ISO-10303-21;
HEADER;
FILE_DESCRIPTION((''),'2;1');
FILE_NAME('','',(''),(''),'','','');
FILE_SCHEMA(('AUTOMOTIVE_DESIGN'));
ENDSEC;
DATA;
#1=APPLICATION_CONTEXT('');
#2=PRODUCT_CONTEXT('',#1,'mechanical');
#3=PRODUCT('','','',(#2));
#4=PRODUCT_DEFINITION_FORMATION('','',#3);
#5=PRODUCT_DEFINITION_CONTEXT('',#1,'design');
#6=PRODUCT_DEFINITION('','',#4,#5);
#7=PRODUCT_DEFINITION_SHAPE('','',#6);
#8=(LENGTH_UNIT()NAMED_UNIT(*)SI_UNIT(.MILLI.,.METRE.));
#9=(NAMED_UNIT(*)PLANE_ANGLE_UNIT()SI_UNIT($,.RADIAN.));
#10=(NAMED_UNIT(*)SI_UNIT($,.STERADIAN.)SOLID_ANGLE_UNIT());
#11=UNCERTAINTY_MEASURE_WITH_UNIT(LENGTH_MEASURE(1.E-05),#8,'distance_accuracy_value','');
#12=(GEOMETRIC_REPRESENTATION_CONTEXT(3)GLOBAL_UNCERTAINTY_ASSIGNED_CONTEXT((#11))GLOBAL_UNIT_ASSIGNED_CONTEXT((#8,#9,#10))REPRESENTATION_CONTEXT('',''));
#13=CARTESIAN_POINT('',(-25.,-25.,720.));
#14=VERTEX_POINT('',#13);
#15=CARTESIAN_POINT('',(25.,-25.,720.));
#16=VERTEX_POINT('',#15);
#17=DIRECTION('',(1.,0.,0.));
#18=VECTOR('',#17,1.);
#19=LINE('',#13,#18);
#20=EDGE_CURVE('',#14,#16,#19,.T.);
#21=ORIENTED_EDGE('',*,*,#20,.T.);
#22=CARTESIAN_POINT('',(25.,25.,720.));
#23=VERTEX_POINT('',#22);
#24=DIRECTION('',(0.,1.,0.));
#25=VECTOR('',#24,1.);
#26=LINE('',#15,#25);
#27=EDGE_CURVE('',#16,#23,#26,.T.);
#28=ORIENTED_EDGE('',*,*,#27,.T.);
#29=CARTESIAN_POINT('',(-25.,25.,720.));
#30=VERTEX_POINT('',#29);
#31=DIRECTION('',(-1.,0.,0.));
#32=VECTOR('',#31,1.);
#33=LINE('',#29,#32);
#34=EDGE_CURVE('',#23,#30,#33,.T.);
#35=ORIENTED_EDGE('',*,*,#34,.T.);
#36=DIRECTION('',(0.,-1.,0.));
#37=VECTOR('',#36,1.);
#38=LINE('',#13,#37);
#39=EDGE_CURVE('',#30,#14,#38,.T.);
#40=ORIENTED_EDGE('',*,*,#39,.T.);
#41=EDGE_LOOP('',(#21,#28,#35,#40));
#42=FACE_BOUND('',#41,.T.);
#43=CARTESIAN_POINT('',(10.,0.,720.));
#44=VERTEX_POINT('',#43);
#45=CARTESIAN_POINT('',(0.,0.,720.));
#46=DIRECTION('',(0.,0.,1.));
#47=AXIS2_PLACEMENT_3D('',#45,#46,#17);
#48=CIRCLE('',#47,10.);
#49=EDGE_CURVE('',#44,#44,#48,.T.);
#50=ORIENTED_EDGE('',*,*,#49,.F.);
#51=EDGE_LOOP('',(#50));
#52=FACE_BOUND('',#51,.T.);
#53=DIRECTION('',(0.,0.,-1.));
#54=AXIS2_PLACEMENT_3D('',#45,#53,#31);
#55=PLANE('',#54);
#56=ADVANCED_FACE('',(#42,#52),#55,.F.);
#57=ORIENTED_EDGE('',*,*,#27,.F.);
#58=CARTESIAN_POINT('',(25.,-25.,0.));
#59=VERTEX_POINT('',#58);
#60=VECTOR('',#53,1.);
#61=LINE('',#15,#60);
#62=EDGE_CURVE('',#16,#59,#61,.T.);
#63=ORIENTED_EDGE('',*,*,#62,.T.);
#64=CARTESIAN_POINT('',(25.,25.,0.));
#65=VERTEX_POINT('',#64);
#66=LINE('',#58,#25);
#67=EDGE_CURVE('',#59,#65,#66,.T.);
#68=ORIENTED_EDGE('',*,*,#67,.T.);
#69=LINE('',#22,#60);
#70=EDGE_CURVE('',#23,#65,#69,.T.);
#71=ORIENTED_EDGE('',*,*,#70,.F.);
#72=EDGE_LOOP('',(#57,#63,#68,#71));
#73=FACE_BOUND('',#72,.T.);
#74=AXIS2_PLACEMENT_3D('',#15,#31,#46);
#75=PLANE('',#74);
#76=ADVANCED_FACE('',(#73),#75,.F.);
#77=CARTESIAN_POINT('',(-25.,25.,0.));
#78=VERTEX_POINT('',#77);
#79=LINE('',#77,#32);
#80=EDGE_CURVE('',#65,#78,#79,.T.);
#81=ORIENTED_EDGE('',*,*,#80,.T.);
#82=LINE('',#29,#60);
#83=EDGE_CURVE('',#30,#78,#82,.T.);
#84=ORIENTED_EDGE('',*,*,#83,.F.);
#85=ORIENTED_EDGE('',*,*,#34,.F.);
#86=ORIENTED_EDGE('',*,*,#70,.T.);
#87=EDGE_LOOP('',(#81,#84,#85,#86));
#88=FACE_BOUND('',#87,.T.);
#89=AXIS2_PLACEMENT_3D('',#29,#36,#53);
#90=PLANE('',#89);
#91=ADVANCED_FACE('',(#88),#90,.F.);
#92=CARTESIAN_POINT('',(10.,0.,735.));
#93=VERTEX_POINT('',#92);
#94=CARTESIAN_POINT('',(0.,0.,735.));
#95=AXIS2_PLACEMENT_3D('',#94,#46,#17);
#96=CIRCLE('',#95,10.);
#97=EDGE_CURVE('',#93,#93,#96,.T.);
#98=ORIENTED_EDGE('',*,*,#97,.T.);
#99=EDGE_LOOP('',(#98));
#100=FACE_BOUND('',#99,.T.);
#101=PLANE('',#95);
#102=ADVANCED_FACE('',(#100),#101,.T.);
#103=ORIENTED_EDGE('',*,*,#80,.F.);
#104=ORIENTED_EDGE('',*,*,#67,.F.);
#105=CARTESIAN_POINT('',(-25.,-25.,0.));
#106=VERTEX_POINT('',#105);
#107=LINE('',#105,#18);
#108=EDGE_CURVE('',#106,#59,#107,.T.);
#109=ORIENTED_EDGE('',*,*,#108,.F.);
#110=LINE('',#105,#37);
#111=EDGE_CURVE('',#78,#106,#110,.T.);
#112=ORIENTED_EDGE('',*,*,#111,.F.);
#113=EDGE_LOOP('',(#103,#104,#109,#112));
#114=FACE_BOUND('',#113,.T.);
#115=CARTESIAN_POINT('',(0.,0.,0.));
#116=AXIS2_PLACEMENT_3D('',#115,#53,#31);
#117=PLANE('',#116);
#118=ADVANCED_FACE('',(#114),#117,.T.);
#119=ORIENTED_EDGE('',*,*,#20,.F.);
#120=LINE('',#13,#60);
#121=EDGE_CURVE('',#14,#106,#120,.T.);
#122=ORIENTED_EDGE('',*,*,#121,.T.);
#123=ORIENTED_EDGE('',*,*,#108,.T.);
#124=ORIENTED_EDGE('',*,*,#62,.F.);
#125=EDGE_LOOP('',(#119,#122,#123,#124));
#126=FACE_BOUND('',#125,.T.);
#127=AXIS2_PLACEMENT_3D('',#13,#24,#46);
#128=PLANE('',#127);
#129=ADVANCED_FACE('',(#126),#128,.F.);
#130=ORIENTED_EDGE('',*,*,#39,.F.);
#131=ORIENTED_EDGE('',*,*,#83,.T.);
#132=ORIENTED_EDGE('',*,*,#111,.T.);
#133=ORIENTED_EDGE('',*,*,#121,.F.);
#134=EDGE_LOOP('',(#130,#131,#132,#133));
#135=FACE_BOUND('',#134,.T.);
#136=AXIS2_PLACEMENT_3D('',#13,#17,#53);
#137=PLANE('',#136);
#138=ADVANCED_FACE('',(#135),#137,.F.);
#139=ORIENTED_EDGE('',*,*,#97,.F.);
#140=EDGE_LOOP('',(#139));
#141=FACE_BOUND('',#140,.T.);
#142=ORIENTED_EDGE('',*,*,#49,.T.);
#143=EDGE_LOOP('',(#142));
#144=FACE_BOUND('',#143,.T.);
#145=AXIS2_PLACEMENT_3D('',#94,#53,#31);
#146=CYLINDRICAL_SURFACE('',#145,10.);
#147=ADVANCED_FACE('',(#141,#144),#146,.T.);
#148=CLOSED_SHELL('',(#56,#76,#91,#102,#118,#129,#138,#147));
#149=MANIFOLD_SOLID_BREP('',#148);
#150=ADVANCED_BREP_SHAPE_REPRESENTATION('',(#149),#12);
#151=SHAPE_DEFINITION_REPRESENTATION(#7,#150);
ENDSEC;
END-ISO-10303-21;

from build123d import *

# Parameters (mm, degrees)
SKETCH1_W           = 50
SKETCH1_H           = 50
BOSS_EXTRUDE1_DEPTH = 720
SKETCH2_R           = 10
BOSS_EXTRUDE2_DEPTH = 15


with BuildPart() as part:
    # Sketch1 → Boss-Extrude1 (new body)
    with BuildSketch(Plane.XY):
        Rectangle(SKETCH1_W, SKETCH1_H)
    extrude(amount=BOSS_EXTRUDE1_DEPTH)

    # Sketch2 → Boss-Extrude2 (add)
    with BuildSketch(Plane.XY.offset(720)):
        Circle(SKETCH2_R)
    extrude(amount=BOSS_EXTRUDE2_DEPTH)


solid = part.part
